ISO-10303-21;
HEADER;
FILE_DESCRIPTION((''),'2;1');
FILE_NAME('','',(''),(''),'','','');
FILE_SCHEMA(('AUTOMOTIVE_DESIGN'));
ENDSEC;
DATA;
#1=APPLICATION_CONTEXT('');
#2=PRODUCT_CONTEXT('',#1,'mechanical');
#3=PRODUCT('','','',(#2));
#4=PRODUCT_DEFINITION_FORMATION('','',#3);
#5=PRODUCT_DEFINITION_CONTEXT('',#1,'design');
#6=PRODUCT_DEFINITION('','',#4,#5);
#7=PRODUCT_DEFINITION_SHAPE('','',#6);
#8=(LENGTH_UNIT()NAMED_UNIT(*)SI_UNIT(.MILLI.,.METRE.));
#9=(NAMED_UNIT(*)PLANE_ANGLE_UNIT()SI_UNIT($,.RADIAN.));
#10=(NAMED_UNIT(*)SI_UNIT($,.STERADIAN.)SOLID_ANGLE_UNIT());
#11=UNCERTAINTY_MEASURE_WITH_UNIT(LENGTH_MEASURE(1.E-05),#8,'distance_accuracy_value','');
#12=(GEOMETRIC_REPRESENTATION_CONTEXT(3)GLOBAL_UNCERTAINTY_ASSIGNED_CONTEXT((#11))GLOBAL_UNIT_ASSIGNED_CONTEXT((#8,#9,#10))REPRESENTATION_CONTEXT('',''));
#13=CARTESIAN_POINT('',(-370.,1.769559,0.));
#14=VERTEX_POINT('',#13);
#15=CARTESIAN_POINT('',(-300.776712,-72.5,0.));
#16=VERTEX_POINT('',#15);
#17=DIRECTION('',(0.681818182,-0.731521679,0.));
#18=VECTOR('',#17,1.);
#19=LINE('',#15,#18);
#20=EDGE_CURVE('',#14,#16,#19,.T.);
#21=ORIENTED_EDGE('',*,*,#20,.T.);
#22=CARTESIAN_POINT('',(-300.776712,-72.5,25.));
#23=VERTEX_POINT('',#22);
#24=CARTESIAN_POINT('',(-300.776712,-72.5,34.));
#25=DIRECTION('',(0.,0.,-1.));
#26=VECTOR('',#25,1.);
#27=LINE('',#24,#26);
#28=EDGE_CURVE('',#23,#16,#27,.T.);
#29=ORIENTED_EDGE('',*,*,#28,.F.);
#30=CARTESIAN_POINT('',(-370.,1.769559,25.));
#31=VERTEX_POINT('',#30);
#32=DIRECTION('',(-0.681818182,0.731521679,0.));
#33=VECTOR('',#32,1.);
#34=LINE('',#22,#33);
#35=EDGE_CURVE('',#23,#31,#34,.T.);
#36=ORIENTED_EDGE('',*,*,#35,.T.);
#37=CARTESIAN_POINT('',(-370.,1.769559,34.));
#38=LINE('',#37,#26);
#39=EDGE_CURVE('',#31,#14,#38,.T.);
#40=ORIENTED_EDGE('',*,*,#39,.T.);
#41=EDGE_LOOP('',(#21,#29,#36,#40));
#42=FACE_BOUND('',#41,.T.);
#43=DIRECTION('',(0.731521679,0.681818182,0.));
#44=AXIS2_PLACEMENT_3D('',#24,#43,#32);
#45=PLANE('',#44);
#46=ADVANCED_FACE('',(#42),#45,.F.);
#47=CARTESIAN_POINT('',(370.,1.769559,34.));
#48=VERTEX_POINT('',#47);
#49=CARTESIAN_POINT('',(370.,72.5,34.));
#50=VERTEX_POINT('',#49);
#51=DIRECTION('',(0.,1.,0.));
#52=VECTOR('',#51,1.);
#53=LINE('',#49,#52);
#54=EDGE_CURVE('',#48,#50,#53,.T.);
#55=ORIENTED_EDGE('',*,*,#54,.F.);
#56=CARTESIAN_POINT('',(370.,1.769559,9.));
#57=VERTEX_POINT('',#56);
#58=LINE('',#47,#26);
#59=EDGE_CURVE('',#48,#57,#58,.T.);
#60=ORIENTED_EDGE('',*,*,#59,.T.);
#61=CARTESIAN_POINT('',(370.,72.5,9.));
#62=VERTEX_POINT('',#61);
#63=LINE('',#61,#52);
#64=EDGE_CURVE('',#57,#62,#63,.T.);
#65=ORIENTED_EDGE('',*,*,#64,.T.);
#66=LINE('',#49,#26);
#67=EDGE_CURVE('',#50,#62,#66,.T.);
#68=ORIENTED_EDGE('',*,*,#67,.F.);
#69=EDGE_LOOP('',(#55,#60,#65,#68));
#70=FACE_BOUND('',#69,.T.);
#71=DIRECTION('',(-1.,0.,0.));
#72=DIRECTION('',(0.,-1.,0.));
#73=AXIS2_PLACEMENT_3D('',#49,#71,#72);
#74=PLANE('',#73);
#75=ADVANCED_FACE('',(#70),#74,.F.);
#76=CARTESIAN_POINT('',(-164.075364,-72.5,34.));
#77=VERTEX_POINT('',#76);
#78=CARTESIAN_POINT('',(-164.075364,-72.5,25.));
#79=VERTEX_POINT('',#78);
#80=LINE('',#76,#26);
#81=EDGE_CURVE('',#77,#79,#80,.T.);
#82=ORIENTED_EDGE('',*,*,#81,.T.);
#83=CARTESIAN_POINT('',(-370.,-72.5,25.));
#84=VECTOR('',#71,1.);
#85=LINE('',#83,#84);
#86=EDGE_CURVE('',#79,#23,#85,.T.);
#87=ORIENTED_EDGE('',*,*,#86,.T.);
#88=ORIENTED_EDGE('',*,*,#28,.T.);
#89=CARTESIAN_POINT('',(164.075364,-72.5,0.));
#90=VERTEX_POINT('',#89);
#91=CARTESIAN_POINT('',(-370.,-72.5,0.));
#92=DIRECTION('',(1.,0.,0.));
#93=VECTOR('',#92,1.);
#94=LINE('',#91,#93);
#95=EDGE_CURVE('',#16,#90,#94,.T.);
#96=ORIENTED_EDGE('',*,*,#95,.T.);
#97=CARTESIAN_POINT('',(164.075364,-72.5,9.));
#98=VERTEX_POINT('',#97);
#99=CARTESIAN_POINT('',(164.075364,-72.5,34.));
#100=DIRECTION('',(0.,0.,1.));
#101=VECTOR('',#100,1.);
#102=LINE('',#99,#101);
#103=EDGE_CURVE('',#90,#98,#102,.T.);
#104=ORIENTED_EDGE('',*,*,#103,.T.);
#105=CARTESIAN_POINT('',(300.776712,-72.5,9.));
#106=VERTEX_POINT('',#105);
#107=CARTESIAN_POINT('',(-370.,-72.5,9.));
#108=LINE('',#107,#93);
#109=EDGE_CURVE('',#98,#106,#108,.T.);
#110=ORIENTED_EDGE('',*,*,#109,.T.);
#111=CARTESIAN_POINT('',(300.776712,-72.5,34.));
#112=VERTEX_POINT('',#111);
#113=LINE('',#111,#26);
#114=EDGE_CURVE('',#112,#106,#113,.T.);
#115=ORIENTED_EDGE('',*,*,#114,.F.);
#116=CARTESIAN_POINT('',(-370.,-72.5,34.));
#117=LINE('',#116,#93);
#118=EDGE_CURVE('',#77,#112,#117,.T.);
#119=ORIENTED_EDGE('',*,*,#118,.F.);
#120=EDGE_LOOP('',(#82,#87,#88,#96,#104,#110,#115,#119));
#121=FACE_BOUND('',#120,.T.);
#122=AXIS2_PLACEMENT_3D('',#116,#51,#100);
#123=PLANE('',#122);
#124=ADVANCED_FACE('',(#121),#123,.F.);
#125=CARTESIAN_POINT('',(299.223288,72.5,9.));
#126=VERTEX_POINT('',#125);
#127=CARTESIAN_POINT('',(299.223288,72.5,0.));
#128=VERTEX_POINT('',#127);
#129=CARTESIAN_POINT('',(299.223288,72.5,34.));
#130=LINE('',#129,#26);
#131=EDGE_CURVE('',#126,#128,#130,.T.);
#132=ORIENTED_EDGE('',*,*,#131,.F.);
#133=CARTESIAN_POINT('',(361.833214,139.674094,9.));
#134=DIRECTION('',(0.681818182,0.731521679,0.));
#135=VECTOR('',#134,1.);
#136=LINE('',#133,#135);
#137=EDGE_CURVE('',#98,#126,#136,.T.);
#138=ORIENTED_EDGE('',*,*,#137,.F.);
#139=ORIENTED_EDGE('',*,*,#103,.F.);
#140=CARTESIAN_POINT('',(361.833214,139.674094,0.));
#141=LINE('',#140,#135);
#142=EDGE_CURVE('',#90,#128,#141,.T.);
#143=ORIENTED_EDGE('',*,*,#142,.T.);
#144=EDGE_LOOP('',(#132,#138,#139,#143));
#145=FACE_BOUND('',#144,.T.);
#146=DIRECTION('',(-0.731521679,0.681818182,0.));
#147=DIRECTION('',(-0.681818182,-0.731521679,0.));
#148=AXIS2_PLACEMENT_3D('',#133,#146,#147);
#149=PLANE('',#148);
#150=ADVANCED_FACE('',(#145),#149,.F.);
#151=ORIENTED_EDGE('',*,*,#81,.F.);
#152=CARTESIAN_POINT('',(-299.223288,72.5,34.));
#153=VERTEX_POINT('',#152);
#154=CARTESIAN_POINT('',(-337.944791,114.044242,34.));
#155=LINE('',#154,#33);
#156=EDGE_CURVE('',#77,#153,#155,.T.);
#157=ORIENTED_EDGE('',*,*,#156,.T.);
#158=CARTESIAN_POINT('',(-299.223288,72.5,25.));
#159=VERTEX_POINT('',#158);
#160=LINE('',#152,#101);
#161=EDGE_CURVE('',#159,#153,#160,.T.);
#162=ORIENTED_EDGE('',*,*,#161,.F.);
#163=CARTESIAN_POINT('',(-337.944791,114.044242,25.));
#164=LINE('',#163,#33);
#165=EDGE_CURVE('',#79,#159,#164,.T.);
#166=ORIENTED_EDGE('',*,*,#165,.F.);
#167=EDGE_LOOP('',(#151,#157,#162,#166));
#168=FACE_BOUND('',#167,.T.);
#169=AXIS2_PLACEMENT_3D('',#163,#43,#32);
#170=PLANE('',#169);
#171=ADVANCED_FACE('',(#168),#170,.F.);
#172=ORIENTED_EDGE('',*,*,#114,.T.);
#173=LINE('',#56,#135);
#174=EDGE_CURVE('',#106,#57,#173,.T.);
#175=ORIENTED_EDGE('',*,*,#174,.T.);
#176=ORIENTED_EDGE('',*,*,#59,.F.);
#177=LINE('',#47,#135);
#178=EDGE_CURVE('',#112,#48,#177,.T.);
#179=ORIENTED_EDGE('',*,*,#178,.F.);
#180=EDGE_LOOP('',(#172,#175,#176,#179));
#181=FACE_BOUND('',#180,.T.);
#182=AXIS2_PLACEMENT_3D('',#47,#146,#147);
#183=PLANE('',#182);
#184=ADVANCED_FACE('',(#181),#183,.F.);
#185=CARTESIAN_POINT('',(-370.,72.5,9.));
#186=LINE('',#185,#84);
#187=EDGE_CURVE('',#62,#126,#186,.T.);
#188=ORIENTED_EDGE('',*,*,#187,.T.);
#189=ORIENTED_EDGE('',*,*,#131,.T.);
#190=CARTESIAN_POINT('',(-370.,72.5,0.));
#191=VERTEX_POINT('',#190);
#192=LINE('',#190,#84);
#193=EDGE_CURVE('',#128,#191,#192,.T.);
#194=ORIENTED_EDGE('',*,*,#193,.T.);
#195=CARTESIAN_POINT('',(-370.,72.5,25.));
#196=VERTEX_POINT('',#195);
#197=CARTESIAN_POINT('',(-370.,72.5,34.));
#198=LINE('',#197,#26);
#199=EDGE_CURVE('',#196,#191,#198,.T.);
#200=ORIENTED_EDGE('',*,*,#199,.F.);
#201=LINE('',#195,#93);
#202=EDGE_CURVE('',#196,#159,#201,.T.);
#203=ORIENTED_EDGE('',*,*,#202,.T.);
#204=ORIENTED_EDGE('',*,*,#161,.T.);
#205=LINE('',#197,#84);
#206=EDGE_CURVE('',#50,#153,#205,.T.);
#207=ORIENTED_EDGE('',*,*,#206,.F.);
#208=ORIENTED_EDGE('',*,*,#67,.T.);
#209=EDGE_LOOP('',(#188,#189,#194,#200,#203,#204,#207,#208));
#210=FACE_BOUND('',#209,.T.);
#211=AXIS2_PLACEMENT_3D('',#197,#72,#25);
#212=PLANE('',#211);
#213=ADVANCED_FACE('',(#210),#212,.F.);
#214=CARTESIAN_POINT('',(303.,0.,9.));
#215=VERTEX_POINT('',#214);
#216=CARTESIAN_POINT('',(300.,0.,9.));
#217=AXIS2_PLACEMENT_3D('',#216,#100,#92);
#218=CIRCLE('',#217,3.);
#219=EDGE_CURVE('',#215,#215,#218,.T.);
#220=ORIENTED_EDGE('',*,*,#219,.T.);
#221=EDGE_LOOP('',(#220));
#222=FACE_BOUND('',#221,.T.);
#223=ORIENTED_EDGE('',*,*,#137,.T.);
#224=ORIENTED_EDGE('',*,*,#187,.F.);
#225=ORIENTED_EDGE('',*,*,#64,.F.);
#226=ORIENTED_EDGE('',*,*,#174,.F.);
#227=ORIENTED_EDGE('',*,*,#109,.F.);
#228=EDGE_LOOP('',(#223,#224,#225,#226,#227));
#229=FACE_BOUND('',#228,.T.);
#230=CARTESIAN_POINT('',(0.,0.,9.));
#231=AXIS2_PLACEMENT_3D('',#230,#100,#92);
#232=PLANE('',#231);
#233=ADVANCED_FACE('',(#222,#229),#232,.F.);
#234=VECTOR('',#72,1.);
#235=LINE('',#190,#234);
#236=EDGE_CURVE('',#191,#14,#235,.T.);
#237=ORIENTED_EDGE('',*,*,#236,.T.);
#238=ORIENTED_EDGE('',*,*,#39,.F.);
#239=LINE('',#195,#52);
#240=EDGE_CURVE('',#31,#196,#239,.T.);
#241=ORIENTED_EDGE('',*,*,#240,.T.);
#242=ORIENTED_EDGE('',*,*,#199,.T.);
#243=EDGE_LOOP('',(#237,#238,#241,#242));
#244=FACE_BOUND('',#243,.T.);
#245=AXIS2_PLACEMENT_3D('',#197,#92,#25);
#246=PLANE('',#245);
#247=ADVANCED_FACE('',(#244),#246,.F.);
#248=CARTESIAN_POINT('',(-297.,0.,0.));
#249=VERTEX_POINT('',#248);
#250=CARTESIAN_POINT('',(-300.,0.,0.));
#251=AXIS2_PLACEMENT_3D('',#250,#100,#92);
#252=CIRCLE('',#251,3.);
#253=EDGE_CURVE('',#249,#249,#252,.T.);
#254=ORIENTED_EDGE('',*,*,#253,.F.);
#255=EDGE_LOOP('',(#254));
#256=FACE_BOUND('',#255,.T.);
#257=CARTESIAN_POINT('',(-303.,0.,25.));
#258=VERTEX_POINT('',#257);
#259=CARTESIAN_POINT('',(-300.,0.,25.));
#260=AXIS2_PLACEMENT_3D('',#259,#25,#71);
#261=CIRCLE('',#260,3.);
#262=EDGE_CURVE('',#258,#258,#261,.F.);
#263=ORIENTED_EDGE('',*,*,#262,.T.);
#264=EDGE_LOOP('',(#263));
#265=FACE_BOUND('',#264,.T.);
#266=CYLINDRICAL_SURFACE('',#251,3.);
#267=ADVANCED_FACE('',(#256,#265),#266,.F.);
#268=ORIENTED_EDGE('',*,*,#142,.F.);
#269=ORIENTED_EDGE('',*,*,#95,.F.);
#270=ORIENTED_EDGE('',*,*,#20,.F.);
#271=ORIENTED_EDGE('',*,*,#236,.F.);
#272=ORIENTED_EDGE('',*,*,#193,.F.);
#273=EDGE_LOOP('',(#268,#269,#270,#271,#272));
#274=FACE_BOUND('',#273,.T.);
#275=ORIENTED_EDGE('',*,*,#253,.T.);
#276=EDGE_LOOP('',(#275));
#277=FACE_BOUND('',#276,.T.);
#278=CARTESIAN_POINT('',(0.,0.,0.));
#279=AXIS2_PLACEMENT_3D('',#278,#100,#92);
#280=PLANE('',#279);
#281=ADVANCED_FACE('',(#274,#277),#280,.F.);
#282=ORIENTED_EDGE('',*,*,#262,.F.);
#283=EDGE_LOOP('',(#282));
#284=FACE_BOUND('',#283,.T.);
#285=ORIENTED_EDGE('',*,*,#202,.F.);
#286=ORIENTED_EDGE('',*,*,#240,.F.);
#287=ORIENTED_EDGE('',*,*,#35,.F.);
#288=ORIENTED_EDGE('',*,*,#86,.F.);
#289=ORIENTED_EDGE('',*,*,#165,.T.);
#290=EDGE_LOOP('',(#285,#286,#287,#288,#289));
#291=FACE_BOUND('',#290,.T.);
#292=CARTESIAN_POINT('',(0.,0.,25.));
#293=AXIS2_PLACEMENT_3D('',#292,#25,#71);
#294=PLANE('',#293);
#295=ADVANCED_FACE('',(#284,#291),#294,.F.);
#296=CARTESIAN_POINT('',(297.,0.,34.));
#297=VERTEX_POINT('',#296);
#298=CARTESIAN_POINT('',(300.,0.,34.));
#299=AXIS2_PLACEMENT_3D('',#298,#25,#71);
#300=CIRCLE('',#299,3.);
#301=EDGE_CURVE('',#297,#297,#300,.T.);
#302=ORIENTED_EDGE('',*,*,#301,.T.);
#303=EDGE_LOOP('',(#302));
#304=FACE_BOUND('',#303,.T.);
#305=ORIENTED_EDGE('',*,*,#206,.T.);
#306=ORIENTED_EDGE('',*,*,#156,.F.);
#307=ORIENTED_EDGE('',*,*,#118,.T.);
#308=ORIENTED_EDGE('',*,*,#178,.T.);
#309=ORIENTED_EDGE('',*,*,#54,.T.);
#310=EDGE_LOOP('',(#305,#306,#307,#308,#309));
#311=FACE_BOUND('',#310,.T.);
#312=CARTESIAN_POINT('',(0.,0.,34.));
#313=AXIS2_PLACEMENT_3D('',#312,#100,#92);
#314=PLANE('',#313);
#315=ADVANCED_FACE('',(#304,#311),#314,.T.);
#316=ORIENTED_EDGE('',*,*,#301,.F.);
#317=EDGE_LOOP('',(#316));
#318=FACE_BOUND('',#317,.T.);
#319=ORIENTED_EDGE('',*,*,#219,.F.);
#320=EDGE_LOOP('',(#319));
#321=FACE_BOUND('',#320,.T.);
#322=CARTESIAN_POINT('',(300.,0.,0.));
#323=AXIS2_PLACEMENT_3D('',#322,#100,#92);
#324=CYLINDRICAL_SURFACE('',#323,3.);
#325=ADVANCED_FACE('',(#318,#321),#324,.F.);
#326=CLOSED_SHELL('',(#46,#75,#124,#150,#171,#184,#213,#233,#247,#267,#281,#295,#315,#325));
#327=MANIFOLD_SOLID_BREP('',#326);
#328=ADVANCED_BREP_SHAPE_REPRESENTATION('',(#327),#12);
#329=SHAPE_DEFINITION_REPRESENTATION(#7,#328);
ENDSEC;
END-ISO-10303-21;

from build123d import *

# Parameters (mm, degrees)
SKETCH1_W           = 740
SKETCH1_H           = 145
BOSS_EXTRUDE1_DEPTH = 34
SKETCH2_R           = 3
CUT_EXTRUDE1_DEPTH  = 379.566044436
CUT_EXTRUDE2_DEPTH  = 379.566044436
CUT_EXTRUDE3_DEPTH  = 9
CUT_EXTRUDE4_DEPTH  = 9


with BuildPart() as part:
    # Sketch1 → Boss-Extrude1 (new body)
    with BuildSketch(Plane.XY):
        Rectangle(SKETCH1_W, SKETCH1_H)
    extrude(amount=BOSS_EXTRUDE1_DEPTH)

    # Sketch2 → Cut-Extrude1 (cut, through all)
    with BuildSketch(Plane.XY.offset(34)):
        with Locations((-300, 0)):
            Circle(SKETCH2_R)
    cut_extrude1 = extrude(amount=-CUT_EXTRUDE1_DEPTH, mode=Mode.SUBTRACT)

    # Mirror1: Cut-Extrude1 across plane
    add(cut_extrude1.mirror(Plane(origin=(0, 0, 0), x_dir=(0, 0, 1), z_dir=(1, 0, 0))), mode=Mode.SUBTRACT)

    # Sketch3 → Cut-Extrude2 (cut, through all)
    with BuildSketch(Plane(origin=(0, 0, 0), x_dir=(-1, 0, 0), z_dir=(0, 0, -1))):
        Polygon((-370, 1.769559051), (-300.776712208, -72.5), (-300.776712208, -90.031965517), (-434.728473362, -90.031965517), (-434.728473362, 1.769559051), align=None)
        Polygon((300.776712208, -72.5), (370, 1.769559051), (452.615528046, -36.803788203), (398.593275425, -163.670382496), align=None)
    extrude(amount=-CUT_EXTRUDE2_DEPTH, mode=Mode.SUBTRACT)

    # Sketch4 → Cut-Extrude3 (cut)
    with BuildSketch(Plane.XY.offset(34)):
        Polygon((-485.714618039, 114.044241674), (-337.944791384, 114.044241674), (-115.198220107, -124.940212205), (-485.714618039, -111.910111467), align=None)
    extrude(amount=-CUT_EXTRUDE3_DEPTH, mode=Mode.SUBTRACT)

    # Sketch5 → Cut-Extrude4 (cut)
    with BuildSketch(Plane(origin=(0, 0, 0), x_dir=(-1, 0, 0), z_dir=(0, 0, -1))):
        Polygon((-568.705938923, 127.353116935), (-361.833214072, 139.674093651), (-111.696100657, -128.697630779), (-536.326991512, -147.10621474), align=None)
    extrude(amount=-CUT_EXTRUDE4_DEPTH, mode=Mode.SUBTRACT)


solid = part.part
